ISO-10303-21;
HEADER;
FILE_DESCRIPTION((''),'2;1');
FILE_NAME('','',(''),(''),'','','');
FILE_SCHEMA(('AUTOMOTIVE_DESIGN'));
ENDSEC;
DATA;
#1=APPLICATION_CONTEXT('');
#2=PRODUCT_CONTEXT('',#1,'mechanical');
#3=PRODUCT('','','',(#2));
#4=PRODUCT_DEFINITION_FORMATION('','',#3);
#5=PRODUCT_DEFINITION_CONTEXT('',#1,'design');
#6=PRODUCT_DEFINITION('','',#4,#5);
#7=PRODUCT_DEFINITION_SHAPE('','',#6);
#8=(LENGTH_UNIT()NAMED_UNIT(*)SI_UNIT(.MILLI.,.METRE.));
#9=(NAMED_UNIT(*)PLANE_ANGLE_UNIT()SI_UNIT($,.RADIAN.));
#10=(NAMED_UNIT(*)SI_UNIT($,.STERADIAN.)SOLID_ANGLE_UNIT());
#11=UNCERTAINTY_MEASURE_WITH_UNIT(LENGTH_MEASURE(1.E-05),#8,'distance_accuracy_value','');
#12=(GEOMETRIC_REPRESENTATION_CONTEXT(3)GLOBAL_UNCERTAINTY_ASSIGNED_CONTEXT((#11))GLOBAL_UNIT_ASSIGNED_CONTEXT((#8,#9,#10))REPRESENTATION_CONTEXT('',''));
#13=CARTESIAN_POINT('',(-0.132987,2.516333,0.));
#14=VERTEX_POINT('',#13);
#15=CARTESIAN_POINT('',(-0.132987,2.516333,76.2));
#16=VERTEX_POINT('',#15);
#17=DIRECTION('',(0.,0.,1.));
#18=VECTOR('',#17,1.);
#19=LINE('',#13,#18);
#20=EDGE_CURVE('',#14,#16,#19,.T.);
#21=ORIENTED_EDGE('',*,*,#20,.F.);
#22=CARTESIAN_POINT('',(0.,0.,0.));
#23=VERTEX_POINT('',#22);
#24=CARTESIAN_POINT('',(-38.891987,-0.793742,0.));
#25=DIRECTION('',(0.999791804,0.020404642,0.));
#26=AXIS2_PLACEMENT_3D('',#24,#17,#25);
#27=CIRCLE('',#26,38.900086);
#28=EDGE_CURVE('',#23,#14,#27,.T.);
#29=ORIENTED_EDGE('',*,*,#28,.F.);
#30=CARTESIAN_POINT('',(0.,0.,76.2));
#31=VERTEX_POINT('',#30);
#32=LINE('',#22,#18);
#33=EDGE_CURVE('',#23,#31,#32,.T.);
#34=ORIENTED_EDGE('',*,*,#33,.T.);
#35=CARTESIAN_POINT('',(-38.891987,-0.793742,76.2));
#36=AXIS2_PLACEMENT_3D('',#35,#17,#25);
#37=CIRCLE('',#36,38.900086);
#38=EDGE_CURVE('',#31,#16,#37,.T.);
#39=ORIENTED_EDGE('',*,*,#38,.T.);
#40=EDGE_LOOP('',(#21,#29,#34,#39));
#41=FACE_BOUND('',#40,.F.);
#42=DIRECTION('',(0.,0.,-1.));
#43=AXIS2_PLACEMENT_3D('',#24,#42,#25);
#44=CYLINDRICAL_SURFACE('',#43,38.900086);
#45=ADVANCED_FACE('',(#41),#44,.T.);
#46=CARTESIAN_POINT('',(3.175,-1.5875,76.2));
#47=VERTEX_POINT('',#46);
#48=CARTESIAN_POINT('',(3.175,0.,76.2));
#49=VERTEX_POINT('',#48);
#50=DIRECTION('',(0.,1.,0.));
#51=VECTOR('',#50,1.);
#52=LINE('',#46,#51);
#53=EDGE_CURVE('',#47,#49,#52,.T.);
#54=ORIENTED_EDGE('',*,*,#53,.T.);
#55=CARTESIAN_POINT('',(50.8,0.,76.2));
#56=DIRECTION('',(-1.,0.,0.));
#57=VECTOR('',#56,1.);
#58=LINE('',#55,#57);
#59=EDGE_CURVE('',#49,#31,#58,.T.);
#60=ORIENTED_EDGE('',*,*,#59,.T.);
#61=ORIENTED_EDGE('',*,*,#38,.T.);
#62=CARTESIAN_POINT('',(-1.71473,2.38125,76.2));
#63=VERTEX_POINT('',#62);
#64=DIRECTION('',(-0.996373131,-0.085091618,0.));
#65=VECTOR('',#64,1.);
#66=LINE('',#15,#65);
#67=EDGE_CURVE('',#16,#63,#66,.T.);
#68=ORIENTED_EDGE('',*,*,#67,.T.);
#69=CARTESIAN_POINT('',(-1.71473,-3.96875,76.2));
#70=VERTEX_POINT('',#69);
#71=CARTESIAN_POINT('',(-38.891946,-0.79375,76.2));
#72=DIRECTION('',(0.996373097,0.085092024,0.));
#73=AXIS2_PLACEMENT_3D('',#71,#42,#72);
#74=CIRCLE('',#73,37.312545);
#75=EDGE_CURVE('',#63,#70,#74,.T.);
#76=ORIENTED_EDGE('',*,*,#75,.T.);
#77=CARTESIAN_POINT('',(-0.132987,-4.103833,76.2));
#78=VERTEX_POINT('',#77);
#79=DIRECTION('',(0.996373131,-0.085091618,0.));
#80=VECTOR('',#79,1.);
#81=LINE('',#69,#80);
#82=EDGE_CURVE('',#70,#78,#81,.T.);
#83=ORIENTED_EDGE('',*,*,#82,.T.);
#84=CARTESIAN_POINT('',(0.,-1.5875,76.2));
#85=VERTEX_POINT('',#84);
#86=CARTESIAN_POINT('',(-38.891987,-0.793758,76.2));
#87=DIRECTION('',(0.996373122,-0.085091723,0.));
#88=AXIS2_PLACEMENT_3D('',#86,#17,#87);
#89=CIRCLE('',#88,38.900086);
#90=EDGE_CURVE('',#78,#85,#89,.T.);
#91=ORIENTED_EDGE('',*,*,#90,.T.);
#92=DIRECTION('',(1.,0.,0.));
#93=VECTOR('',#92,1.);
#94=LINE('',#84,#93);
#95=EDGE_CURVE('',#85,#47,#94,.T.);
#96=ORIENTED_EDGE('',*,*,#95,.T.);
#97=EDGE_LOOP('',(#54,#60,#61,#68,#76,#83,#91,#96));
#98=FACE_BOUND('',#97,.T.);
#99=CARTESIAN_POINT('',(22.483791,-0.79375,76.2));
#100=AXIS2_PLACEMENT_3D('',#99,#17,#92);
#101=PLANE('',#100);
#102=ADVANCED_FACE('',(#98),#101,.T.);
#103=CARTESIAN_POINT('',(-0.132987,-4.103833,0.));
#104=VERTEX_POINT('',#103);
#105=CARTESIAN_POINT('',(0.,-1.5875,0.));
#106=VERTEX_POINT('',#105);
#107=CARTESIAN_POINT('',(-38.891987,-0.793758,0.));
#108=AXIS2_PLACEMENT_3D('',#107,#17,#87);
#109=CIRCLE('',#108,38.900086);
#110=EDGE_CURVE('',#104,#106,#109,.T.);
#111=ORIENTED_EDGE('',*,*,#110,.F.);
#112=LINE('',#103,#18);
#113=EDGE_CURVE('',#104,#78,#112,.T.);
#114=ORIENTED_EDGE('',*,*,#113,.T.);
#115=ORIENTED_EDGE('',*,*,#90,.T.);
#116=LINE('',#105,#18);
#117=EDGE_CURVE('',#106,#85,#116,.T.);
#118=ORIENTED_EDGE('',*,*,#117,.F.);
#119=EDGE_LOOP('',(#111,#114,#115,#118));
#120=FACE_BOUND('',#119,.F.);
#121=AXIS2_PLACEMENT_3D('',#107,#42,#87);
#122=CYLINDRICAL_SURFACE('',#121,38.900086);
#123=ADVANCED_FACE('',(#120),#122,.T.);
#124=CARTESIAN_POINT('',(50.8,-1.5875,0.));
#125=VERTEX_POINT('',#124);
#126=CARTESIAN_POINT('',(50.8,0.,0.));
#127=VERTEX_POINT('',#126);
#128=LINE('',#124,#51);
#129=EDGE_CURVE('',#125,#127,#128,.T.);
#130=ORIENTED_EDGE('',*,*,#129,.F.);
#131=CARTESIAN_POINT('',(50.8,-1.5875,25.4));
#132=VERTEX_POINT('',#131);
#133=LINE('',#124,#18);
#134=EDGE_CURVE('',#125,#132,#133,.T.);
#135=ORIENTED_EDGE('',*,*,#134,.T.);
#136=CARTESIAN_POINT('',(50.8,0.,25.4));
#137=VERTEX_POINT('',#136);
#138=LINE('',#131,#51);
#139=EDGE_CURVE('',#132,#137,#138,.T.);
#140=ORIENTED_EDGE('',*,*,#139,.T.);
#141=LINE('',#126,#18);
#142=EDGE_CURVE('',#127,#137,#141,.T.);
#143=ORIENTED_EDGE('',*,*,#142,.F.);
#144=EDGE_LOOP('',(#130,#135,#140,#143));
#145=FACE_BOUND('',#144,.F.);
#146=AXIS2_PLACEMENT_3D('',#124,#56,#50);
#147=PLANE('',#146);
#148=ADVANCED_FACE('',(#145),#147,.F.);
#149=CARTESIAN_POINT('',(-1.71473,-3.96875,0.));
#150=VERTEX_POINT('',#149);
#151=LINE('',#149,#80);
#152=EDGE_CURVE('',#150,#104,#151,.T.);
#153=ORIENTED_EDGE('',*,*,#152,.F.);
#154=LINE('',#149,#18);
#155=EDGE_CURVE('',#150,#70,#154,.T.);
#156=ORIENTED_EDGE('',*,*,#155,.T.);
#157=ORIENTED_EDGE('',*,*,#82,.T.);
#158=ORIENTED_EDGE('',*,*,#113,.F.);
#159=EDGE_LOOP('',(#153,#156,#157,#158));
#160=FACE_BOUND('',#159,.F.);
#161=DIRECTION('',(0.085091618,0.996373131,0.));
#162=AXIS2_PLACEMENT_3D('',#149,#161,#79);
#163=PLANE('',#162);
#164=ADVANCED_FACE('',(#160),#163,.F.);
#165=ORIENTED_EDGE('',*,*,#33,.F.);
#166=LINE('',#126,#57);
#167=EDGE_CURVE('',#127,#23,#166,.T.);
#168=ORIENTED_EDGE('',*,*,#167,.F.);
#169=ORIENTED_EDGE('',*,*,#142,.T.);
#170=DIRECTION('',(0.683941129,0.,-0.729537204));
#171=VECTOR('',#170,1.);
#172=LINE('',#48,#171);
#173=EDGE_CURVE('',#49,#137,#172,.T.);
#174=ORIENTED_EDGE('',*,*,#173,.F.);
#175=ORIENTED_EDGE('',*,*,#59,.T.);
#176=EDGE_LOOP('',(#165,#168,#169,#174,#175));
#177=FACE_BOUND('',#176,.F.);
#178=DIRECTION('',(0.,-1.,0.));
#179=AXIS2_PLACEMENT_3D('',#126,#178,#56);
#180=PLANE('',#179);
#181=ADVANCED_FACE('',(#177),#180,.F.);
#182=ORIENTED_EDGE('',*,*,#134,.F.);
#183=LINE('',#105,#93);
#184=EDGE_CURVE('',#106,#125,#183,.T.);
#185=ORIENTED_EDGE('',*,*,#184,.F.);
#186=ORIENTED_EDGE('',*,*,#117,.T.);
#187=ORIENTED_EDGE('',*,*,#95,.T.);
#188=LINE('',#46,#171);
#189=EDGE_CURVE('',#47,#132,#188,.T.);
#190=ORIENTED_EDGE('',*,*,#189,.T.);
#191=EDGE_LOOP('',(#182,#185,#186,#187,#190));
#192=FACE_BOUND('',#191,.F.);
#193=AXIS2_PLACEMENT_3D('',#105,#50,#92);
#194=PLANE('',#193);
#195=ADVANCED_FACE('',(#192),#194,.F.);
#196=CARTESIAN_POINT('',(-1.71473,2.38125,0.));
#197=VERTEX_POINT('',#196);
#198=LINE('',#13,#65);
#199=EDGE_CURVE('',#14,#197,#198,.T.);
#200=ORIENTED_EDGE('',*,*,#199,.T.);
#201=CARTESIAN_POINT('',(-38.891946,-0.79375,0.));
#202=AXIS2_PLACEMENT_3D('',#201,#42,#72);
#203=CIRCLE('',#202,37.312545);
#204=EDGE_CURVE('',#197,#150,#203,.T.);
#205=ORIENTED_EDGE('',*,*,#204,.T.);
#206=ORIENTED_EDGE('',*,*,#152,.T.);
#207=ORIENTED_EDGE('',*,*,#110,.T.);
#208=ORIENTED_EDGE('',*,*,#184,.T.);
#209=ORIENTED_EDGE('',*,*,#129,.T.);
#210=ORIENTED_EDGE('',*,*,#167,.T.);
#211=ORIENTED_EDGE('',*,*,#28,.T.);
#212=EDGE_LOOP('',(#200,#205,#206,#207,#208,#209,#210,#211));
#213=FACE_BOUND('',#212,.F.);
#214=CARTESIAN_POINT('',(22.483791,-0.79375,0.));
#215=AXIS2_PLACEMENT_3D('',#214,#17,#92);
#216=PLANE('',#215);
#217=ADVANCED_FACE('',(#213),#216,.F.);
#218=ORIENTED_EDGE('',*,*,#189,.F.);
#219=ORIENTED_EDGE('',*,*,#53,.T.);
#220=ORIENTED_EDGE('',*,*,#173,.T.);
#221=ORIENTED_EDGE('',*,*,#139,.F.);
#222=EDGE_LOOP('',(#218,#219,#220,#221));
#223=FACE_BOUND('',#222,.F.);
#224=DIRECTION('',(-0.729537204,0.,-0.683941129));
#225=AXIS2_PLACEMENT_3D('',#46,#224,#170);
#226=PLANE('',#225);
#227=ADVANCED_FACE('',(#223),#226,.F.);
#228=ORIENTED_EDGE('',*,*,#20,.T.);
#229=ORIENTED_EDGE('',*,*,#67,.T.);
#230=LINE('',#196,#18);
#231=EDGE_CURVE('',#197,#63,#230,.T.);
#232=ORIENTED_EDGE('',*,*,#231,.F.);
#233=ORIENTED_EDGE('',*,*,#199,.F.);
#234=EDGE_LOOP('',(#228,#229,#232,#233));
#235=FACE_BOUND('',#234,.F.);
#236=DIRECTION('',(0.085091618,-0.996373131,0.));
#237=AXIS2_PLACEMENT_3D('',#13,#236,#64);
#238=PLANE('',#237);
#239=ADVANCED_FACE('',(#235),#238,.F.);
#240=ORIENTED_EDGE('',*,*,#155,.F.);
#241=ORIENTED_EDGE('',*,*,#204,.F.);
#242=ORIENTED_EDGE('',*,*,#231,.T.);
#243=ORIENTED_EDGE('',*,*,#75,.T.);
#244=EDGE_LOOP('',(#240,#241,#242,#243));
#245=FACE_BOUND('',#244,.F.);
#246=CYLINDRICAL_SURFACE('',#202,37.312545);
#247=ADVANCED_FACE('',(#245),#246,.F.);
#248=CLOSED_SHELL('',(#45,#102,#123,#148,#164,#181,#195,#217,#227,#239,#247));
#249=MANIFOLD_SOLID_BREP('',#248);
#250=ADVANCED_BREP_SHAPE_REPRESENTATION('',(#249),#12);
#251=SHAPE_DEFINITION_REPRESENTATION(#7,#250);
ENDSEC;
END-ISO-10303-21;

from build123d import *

# Parameters (mm, degrees)
F1_DEPTH = 76.2
F3_DEPTH = 1.5875


with BuildPart() as f1:
    # F0 (on Top) → F1 (new body)
    with BuildSketch(Plane.XY):
        with BuildLine():
            Line((50.8, 0), (0, 0))
            ThreePointArc((0, 0), (-0.046113, 1.259244), (-0.132987, 2.516333))
            Line((-0.132987, 2.516333), (-1.71473, 2.38125))
            ThreePointArc((-1.71473, 2.38125), (-1.579401, -0.79375), (-1.71473, -3.96875))
            Line((-1.71473, -3.96875), (-0.132987, -4.103833))
            ThreePointArc((-0.132987, -4.103833), (-0.046113, -2.846744), (0, -1.5875))
            Line((0, -1.5875), (50.8, -1.5875))
            Line((50.8, -1.5875), (50.8, 0))
        make_face()
    extrude(amount=F1_DEPTH)

    # F2 (on face) → F3 (cut, through all)
    with BuildSketch(Plane.XZ.offset(1.5875)):
        Polygon((50.8, 76.2), (3.175, 76.2), (50.8, 25.4), align=None)
    extrude(amount=-F3_DEPTH, mode=Mode.SUBTRACT)


solid = f1.part
